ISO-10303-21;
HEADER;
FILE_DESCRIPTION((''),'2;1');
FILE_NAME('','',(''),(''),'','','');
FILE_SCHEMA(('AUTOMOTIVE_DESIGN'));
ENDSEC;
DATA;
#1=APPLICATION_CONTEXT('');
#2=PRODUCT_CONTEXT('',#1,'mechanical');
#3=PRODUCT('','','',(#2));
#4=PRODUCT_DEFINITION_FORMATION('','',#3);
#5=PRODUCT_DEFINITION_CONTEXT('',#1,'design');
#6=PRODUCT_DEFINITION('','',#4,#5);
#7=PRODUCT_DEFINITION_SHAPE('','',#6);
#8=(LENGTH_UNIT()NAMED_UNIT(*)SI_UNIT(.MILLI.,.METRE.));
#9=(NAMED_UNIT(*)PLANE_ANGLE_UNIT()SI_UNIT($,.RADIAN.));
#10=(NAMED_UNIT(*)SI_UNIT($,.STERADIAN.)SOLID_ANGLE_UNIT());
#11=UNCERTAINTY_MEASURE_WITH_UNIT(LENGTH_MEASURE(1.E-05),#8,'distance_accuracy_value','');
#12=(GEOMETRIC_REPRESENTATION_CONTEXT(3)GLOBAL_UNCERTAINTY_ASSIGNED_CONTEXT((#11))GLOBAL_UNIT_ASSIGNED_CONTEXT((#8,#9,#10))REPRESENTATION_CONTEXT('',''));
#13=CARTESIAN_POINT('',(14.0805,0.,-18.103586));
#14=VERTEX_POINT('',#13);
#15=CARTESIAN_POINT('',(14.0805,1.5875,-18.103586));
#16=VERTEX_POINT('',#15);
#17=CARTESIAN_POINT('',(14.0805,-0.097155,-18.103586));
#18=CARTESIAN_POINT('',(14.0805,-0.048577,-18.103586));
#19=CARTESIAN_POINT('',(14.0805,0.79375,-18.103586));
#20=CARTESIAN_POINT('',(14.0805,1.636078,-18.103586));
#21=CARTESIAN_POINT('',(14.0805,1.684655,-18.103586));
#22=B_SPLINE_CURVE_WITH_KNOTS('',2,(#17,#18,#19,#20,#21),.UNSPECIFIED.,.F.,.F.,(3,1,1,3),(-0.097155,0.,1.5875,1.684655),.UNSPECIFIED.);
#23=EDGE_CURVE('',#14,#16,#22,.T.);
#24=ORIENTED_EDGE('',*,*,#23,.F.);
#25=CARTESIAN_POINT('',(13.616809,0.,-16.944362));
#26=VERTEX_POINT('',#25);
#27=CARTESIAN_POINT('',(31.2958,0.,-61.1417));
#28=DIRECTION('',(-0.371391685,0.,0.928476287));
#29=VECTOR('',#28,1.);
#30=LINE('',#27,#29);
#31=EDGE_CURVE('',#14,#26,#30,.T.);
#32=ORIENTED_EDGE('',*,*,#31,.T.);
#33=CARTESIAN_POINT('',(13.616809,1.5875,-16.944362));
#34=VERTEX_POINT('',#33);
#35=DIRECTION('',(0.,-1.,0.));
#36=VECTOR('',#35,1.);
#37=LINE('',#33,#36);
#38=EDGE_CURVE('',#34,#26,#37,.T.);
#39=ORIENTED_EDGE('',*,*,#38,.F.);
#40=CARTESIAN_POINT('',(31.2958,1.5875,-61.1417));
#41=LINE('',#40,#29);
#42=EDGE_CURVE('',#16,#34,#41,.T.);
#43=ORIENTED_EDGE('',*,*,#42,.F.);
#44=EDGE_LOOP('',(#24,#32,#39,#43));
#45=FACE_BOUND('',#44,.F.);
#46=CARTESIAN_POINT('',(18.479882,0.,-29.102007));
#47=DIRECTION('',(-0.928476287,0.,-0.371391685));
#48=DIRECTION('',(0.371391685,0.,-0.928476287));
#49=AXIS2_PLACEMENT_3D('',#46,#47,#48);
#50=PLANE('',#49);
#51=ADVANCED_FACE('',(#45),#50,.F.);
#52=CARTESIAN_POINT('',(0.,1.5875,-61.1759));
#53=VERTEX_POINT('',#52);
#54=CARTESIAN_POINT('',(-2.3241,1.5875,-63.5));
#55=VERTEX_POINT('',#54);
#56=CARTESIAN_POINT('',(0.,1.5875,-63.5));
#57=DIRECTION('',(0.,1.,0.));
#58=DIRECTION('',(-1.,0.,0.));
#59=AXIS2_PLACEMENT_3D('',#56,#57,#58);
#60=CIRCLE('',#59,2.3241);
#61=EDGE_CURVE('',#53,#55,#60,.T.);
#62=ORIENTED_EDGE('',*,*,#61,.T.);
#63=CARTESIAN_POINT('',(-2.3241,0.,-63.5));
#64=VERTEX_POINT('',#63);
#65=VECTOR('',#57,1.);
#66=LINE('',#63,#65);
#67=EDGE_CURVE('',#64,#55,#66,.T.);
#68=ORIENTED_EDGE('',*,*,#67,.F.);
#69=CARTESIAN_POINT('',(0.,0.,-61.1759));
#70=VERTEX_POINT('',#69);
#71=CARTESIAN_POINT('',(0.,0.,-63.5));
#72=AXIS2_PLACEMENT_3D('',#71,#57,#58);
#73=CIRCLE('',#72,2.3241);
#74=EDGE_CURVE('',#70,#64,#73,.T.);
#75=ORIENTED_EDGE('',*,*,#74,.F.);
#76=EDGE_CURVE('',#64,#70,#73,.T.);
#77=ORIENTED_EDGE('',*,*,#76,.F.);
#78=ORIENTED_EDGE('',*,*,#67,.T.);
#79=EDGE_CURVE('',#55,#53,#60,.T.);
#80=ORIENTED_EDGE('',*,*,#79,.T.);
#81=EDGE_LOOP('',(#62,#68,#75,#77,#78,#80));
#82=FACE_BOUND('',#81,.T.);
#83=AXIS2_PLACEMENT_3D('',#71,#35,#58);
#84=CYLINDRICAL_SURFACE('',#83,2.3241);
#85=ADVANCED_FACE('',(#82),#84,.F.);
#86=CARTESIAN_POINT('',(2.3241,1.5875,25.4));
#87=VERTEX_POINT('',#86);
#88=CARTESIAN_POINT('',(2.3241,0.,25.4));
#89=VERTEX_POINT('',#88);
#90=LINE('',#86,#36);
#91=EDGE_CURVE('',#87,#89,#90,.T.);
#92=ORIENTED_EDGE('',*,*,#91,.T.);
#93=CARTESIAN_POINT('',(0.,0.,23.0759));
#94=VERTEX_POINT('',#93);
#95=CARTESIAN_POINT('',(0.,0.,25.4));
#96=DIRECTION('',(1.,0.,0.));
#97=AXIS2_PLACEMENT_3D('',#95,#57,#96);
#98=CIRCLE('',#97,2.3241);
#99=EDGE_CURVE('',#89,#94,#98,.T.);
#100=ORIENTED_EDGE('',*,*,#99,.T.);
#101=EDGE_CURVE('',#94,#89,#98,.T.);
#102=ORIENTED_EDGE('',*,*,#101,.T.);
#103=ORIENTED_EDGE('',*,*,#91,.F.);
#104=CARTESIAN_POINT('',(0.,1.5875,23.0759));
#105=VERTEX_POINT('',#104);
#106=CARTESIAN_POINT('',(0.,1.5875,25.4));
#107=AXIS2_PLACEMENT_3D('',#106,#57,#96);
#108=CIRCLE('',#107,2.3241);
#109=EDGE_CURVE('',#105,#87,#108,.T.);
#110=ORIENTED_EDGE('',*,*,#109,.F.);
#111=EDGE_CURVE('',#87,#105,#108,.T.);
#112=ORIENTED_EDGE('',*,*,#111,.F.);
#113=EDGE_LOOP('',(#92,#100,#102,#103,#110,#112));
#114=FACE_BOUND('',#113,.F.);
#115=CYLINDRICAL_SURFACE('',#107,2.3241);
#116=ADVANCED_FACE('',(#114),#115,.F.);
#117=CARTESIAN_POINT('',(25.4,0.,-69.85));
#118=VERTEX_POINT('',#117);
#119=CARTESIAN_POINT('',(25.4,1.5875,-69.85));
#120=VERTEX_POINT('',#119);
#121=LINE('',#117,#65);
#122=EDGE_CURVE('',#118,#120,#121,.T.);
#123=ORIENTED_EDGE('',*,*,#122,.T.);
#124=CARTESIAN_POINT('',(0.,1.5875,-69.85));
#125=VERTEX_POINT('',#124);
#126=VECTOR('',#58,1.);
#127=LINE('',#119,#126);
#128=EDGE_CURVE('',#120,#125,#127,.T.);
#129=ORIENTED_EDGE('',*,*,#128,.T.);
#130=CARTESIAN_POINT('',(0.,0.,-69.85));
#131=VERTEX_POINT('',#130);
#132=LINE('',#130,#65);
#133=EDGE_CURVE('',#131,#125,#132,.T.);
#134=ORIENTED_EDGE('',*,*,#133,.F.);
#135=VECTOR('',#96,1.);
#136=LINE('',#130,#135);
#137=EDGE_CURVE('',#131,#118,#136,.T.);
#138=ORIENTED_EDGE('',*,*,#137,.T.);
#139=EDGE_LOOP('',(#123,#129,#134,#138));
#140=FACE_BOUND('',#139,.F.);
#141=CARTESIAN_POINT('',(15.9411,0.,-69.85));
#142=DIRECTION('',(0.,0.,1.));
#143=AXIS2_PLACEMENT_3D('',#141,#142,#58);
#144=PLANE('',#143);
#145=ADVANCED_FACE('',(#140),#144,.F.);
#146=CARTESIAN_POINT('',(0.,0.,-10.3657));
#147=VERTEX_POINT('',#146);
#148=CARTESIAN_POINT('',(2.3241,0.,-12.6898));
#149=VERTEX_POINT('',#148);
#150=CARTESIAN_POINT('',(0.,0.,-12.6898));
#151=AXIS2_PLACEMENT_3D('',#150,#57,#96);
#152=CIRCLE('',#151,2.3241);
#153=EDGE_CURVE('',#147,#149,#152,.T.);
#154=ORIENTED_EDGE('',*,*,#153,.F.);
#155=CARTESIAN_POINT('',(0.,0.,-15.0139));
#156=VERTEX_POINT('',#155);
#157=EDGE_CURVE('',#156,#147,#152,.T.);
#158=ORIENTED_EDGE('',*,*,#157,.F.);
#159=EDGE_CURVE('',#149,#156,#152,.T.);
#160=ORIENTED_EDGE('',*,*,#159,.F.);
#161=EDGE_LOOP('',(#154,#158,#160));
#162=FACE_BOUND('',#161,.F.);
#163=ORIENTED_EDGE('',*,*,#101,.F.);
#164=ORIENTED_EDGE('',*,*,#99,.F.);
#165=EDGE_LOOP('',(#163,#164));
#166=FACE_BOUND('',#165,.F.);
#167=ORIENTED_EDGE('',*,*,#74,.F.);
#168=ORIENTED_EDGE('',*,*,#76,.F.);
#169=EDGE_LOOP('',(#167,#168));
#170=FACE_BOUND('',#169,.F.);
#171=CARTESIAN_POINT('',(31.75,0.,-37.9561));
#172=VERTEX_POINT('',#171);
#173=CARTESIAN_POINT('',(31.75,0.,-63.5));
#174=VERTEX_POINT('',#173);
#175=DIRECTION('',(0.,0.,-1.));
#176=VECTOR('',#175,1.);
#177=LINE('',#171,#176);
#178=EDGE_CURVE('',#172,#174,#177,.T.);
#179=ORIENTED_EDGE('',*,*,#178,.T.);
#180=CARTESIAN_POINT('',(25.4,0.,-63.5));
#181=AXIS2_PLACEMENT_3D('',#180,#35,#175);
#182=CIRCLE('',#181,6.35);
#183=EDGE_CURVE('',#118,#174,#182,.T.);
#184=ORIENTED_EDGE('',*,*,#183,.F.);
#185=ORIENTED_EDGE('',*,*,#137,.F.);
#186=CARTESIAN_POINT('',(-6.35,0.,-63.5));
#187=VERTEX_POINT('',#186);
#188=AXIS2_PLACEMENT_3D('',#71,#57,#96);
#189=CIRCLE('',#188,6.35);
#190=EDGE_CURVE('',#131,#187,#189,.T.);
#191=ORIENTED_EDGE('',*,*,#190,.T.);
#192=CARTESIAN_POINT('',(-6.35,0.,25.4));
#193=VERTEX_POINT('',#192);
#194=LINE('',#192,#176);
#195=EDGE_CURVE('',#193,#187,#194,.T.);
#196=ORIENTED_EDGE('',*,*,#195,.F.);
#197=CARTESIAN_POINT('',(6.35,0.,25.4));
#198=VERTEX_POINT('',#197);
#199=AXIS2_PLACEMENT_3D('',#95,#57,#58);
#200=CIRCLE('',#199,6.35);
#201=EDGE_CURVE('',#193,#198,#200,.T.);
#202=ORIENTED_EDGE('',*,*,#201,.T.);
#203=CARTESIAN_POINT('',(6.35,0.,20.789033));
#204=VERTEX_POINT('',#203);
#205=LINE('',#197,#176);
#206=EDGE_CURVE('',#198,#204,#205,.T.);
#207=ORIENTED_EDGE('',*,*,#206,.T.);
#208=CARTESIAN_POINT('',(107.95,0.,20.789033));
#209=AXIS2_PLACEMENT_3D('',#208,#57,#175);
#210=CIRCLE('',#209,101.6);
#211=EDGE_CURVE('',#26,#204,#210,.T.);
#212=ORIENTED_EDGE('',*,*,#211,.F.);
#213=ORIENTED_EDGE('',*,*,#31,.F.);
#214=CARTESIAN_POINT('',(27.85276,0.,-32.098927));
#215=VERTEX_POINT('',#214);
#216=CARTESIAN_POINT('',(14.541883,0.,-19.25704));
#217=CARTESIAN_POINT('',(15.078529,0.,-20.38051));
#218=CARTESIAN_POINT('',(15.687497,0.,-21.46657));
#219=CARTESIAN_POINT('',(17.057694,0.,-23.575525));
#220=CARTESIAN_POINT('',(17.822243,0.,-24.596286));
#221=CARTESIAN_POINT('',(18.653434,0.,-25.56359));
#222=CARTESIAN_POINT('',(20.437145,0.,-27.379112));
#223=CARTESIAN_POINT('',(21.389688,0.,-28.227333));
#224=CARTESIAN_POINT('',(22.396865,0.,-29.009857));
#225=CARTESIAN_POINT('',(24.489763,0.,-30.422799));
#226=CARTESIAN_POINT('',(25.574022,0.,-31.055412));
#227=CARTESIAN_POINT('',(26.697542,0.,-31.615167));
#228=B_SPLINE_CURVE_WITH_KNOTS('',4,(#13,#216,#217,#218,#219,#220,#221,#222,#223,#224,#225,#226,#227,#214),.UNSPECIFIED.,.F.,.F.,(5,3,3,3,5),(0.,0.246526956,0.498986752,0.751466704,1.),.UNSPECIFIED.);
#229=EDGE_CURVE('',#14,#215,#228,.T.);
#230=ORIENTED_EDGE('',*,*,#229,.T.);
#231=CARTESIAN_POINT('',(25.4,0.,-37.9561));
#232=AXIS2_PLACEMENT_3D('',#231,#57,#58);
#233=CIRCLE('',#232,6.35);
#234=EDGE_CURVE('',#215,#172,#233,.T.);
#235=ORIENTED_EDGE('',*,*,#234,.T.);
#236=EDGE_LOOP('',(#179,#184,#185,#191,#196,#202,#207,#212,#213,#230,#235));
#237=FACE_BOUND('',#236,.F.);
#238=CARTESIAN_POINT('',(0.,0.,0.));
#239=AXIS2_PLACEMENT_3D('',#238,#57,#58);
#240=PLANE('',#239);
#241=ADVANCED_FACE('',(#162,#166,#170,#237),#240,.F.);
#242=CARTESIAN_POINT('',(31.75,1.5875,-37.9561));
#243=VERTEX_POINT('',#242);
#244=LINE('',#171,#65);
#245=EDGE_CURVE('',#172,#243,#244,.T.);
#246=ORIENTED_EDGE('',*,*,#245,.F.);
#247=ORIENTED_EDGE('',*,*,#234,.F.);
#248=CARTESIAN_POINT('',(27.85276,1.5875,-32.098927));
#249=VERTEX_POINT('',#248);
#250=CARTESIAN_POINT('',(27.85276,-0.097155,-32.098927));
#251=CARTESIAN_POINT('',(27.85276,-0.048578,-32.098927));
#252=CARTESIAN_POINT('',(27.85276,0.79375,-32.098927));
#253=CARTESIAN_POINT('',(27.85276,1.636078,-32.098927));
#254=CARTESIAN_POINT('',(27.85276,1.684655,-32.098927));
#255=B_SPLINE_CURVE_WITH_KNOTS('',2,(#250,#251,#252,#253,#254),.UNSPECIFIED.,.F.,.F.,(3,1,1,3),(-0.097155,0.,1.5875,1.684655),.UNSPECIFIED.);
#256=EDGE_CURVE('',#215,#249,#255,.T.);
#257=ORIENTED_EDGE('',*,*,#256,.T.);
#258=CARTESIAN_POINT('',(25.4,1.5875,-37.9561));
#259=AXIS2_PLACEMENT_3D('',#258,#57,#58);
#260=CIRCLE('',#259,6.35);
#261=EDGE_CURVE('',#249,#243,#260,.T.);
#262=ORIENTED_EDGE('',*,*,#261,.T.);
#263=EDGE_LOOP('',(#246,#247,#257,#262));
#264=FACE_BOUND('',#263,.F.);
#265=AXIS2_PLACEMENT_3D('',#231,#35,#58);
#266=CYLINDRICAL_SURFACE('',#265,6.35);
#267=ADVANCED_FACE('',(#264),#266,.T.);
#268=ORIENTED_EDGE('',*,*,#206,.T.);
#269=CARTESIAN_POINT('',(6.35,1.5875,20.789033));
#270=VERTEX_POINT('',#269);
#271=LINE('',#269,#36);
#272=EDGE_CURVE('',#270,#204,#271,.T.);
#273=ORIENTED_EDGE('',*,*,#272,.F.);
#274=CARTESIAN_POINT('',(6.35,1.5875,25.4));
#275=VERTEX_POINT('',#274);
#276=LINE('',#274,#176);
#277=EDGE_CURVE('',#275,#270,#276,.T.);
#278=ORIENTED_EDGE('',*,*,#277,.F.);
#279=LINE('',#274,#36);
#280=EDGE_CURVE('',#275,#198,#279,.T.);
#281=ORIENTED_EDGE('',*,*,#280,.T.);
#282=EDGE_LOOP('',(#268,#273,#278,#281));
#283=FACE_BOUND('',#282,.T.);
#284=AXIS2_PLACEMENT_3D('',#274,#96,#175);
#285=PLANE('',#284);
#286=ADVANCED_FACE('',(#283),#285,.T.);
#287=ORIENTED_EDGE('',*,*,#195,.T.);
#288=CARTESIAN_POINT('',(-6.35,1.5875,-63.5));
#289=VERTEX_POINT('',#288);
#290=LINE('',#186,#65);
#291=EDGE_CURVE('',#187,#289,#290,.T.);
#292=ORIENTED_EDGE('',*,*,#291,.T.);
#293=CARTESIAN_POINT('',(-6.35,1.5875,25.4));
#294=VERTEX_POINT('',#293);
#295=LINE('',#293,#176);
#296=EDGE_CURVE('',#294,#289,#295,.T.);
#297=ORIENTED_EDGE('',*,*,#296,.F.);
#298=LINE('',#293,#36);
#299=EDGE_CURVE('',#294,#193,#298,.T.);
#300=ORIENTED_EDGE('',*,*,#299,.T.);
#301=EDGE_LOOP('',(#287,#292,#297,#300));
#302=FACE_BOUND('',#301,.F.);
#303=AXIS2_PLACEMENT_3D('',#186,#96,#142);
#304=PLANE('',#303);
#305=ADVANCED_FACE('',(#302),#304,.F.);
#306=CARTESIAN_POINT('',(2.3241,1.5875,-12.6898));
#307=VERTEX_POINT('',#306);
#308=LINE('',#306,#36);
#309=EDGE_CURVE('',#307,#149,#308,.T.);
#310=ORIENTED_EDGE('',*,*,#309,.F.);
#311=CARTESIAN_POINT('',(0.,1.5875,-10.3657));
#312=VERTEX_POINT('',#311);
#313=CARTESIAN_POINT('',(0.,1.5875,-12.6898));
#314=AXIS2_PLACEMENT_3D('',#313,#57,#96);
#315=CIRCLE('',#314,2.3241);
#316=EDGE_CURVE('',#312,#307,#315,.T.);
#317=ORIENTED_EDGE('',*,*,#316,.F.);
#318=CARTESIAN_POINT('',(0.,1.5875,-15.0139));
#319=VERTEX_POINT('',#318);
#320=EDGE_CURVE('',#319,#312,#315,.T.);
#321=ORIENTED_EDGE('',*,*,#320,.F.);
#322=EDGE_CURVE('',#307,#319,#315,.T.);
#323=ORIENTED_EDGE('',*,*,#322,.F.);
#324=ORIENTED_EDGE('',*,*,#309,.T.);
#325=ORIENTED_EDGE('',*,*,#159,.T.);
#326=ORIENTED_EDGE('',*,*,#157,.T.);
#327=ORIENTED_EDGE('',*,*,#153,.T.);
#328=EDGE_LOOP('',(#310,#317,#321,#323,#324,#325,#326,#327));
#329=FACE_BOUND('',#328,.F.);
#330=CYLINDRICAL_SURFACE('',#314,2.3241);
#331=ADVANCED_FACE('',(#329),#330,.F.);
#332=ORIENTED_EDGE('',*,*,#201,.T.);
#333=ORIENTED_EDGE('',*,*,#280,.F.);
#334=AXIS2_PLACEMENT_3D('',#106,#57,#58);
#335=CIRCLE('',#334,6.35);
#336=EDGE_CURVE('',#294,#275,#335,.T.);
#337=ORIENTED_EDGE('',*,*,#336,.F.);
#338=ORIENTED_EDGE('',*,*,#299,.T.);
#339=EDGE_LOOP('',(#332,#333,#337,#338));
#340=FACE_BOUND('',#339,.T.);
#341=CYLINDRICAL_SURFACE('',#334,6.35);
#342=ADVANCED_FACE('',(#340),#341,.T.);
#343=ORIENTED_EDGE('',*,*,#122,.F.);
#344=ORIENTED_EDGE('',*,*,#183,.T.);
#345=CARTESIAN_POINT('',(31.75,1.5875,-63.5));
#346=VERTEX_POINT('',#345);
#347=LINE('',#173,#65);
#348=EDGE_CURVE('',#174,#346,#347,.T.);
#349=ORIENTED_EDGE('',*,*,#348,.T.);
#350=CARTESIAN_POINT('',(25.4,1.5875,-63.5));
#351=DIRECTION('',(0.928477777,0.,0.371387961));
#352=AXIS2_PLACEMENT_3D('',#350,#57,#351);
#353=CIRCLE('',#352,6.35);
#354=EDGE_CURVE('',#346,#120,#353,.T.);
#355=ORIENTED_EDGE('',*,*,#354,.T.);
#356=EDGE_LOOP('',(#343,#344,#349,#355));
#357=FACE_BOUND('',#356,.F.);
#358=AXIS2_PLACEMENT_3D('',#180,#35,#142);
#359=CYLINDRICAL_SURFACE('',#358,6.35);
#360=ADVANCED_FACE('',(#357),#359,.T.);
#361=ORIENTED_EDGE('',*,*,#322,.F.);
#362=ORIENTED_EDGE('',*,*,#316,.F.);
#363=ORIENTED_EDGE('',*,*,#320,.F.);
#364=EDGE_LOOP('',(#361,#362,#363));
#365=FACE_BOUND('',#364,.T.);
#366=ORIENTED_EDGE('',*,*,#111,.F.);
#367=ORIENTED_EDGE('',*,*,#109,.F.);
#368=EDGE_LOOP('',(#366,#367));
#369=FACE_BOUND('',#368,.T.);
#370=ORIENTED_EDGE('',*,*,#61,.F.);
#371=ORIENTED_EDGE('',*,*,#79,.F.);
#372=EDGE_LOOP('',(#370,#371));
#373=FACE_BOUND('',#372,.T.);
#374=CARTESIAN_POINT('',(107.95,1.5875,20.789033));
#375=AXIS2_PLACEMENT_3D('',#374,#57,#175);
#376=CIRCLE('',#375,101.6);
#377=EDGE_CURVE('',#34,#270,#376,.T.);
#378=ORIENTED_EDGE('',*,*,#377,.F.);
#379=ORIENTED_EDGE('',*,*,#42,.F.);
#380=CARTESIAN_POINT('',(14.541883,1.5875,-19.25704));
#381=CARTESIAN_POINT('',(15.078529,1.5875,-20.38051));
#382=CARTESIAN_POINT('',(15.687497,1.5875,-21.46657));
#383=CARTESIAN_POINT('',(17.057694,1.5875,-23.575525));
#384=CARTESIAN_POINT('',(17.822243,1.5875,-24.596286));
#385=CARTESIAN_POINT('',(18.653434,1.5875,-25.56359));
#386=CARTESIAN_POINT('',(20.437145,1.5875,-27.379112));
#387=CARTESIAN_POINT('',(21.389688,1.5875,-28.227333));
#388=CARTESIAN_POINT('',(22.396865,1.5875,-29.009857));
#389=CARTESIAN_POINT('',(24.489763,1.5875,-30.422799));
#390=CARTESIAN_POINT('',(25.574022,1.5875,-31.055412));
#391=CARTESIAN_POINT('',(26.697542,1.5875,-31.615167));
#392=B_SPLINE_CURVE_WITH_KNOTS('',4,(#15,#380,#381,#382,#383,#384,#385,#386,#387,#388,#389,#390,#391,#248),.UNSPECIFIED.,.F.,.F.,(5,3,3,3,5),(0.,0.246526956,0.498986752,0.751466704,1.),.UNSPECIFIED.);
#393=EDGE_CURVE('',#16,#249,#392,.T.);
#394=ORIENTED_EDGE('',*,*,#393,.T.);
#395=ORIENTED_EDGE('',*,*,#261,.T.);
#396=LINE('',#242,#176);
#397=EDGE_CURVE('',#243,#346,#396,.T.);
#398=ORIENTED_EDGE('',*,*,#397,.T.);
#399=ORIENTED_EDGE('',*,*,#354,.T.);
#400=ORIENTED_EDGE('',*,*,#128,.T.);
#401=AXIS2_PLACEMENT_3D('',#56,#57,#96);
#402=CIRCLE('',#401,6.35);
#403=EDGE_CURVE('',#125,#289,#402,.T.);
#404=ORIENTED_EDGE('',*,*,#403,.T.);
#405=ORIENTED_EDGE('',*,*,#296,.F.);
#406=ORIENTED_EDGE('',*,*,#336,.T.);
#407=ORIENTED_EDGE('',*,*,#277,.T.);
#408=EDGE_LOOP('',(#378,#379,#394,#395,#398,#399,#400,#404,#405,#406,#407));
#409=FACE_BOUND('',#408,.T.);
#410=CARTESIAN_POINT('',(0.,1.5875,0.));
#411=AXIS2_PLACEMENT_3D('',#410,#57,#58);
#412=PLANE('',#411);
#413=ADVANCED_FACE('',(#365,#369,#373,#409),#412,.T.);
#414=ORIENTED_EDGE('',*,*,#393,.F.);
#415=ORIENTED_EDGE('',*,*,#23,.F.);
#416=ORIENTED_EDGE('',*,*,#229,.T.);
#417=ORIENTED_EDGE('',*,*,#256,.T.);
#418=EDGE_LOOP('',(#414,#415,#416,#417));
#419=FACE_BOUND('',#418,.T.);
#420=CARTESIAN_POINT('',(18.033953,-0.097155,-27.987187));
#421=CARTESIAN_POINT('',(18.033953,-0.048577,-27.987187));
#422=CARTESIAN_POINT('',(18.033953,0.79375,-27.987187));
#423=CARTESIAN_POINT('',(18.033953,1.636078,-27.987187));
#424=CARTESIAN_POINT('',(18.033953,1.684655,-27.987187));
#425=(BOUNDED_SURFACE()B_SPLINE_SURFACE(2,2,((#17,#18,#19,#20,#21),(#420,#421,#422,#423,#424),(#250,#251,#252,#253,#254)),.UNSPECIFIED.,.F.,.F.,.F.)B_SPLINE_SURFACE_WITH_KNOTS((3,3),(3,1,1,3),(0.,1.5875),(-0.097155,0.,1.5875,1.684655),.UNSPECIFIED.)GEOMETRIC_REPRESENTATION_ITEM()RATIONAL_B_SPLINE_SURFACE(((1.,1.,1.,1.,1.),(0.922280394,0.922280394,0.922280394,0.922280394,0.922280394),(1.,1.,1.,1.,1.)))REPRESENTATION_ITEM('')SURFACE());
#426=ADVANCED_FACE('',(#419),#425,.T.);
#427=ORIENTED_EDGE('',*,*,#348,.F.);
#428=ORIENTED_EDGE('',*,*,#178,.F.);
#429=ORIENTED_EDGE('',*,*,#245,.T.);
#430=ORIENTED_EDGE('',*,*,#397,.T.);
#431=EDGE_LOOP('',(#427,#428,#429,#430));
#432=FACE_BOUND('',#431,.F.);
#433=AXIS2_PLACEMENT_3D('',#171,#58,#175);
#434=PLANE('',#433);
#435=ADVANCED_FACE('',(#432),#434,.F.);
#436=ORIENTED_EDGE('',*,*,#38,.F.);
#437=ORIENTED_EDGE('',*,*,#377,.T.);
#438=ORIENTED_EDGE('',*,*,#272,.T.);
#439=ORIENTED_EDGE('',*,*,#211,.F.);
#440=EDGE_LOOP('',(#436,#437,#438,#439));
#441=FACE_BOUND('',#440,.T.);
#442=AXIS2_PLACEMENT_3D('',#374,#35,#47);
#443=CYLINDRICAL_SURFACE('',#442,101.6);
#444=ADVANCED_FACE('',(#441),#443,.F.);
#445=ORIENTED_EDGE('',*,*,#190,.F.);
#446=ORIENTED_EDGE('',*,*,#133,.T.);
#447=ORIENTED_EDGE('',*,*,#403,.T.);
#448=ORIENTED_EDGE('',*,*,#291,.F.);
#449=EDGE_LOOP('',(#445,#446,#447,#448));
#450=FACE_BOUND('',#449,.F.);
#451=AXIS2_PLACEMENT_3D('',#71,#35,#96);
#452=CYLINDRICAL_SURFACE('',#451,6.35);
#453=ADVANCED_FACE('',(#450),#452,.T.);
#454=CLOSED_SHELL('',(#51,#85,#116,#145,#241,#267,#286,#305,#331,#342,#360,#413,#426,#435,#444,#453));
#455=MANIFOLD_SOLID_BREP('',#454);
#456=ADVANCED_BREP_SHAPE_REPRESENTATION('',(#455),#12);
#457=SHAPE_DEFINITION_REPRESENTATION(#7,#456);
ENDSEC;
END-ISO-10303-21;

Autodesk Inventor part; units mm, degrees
ref_plane "YZ Plane" through (0, 0, 0) normal (1, 0, 0) x (0, 1, 0)
ref_plane "XZ Plane" through (0, 0, 0) normal (0, 1, 0) x (-1, 0, 0)
ref_plane "XY Plane" through (0, 0, 0) normal (0, 0, 1) x (1, 0, 0)
sketch "Sketch1" plane through (0, 0, 0) normal (0, 1, 0) x (-1, 0, 0)
  circle A0 centre (0, 0) radius 2.3241
  line L0 (0, 0) -> (0, -63.5)
  circle A1 centre (0, -63.5) radius 2.3241
  line L1 (0, 0) -> (0, -63.5) construction
  line L2 (-6.35, 0) -> (-6.35, -63.5)
  line L3 (6.35, -63.5) -> (6.35, 0)
  arc A2 (6.35, 0) -> (-6.35, 0) centre (0, 0) ccw
  arc A3 (-6.35, -63.5) -> (6.35, -63.5) centre (0, -63.5) ccw
  line L4 (0, -63.5) -> (-15.9411, -63.5) construction
  line L5 (0, -57.15) -> (-15.9411, -57.15)
  line L6 (-15.9411, -69.85) -> (0, -69.85)
  arc A4 (0, -69.85) -> (0, -57.15) centre (0, -63.5) ccw
  arc A5 (-15.9411, -57.15) -> (-15.9411, -69.85) centre (-15.9411, -63.5) ccw
  line L7 (0, -63.5) -> (-25.4, -63.5) construction
  line L8 (0, -57.15) -> (-25.4, -57.15)
  line L9 (-25.4, -69.85) -> (0, -69.85)
  arc A6 (0, -69.85) -> (0, -57.15) centre (0, -63.5) ccw
  arc A7 (-25.4, -57.15) -> (-25.4, -69.85) centre (-25.4, -63.5) ccw
  line L10 (-5.9094, 2.3241) -> (-31.2958, -61.1417)
  line L11 (-25.4, -63.5) -> (-25.4, -37.9561) construction
  line L12 (-19.05, -63.5) -> (-19.05, -37.9561)
  line L13 (-31.75, -37.9561) -> (-31.75, -63.5)
  arc A8 (-31.75, -63.5) -> (-19.05, -63.5) centre (-25.4, -63.5) ccw
  arc A9 (-19.05, -37.9561) -> (-31.75, -37.9561) centre (-25.4, -37.9561) ccw
  line L14 (-27.3182, -31.9028) -> (-18.4799, -29.102)
  point P0 (0, -31.75)
  point P1 (-7.9706, -63.5)
  point P2 (-22.0988, -61.949)
  point P3 (-12.7, -63.5)
  point P4 (-6.35, -57.15)
  point P5 (-25.4, -50.7281)
  dimension "d0" = 4.6482
  dimension "d1" = 63.5
  dimension "d2" = 4.6482
  dimension "d3" = 12.7
  dimension "d6" = 15.9411
  dimension "d7" = 25.4
extrude "Extrusion2" add sketch "Sketch1" along normal blind 1.5875 contours L5 L2 A2 L3 A4 | A4 A3 L2 L5 | L5 L8 L12 A9 L10 A2 L2 | L2 A3 L6 A5 A8 L12 L5 | A5 L12 L8 | L12 A8 A5 | A5 A8 A7 L8 L12 | L8 A7 L10 A9 L12 | L9 A8 A5
extrude "Extrusion3" add sketch "Sketch1" along normal blind 1.5875 contours L10 A9 L14 | L10 A7 L13 A9
fillet "Fillet1" radius 25.4 1 edges at (18.4799, 0.7937, -29.102)
sketch "Sketch2" plane through (0, 1.5875, 0) normal (0, 1, 0) x (1, 0, 0)
  circle A0 centre (0, 0) radius 2.3241 projected
  line L0 (0, 0) -> (0, -25.4)
  line L1 (0, -25.4) -> (0, 0) construction
  line L2 (6.35, -25.4) -> (6.35, 0)
  line L3 (-6.35, 0) -> (-6.35, -25.4)
  arc A1 (-6.35, -25.4) -> (6.35, -25.4) centre (0, -25.4) ccw
  arc A2 (6.35, 0) -> (-6.35, 0) centre (0, 0) ccw
  circle A3 centre (0, -25.4) radius 2.3241
  line L4 (0, 0) -> (0, 12.6898)
  circle A4 centre (0, 12.6898) radius 2.3241
  point P0 (0, -12.7)
  dimension "d13" = 25.4
  dimension "d17" = 4.6482
  dimension "d20" = 4.6482
extrude "Extrusion4" add sketch "Sketch2" against normal blind 1.5875 contours A0 L0 L4 | A3 | A2 L2 A1 L3 | L4 L0 A0
fillet "Fillet2" radius 101.6 1 edges at (6.35, 0.7937, 1.2226)
extrude "Extrusion5" cut sketch "Sketch2" against normal blind 1.5875 contours A3
extrude "Extrusion6" cut sketch "Sketch2" against normal blind 1.5875 contours A4
properties part number "Lady Brown Tab Top"
